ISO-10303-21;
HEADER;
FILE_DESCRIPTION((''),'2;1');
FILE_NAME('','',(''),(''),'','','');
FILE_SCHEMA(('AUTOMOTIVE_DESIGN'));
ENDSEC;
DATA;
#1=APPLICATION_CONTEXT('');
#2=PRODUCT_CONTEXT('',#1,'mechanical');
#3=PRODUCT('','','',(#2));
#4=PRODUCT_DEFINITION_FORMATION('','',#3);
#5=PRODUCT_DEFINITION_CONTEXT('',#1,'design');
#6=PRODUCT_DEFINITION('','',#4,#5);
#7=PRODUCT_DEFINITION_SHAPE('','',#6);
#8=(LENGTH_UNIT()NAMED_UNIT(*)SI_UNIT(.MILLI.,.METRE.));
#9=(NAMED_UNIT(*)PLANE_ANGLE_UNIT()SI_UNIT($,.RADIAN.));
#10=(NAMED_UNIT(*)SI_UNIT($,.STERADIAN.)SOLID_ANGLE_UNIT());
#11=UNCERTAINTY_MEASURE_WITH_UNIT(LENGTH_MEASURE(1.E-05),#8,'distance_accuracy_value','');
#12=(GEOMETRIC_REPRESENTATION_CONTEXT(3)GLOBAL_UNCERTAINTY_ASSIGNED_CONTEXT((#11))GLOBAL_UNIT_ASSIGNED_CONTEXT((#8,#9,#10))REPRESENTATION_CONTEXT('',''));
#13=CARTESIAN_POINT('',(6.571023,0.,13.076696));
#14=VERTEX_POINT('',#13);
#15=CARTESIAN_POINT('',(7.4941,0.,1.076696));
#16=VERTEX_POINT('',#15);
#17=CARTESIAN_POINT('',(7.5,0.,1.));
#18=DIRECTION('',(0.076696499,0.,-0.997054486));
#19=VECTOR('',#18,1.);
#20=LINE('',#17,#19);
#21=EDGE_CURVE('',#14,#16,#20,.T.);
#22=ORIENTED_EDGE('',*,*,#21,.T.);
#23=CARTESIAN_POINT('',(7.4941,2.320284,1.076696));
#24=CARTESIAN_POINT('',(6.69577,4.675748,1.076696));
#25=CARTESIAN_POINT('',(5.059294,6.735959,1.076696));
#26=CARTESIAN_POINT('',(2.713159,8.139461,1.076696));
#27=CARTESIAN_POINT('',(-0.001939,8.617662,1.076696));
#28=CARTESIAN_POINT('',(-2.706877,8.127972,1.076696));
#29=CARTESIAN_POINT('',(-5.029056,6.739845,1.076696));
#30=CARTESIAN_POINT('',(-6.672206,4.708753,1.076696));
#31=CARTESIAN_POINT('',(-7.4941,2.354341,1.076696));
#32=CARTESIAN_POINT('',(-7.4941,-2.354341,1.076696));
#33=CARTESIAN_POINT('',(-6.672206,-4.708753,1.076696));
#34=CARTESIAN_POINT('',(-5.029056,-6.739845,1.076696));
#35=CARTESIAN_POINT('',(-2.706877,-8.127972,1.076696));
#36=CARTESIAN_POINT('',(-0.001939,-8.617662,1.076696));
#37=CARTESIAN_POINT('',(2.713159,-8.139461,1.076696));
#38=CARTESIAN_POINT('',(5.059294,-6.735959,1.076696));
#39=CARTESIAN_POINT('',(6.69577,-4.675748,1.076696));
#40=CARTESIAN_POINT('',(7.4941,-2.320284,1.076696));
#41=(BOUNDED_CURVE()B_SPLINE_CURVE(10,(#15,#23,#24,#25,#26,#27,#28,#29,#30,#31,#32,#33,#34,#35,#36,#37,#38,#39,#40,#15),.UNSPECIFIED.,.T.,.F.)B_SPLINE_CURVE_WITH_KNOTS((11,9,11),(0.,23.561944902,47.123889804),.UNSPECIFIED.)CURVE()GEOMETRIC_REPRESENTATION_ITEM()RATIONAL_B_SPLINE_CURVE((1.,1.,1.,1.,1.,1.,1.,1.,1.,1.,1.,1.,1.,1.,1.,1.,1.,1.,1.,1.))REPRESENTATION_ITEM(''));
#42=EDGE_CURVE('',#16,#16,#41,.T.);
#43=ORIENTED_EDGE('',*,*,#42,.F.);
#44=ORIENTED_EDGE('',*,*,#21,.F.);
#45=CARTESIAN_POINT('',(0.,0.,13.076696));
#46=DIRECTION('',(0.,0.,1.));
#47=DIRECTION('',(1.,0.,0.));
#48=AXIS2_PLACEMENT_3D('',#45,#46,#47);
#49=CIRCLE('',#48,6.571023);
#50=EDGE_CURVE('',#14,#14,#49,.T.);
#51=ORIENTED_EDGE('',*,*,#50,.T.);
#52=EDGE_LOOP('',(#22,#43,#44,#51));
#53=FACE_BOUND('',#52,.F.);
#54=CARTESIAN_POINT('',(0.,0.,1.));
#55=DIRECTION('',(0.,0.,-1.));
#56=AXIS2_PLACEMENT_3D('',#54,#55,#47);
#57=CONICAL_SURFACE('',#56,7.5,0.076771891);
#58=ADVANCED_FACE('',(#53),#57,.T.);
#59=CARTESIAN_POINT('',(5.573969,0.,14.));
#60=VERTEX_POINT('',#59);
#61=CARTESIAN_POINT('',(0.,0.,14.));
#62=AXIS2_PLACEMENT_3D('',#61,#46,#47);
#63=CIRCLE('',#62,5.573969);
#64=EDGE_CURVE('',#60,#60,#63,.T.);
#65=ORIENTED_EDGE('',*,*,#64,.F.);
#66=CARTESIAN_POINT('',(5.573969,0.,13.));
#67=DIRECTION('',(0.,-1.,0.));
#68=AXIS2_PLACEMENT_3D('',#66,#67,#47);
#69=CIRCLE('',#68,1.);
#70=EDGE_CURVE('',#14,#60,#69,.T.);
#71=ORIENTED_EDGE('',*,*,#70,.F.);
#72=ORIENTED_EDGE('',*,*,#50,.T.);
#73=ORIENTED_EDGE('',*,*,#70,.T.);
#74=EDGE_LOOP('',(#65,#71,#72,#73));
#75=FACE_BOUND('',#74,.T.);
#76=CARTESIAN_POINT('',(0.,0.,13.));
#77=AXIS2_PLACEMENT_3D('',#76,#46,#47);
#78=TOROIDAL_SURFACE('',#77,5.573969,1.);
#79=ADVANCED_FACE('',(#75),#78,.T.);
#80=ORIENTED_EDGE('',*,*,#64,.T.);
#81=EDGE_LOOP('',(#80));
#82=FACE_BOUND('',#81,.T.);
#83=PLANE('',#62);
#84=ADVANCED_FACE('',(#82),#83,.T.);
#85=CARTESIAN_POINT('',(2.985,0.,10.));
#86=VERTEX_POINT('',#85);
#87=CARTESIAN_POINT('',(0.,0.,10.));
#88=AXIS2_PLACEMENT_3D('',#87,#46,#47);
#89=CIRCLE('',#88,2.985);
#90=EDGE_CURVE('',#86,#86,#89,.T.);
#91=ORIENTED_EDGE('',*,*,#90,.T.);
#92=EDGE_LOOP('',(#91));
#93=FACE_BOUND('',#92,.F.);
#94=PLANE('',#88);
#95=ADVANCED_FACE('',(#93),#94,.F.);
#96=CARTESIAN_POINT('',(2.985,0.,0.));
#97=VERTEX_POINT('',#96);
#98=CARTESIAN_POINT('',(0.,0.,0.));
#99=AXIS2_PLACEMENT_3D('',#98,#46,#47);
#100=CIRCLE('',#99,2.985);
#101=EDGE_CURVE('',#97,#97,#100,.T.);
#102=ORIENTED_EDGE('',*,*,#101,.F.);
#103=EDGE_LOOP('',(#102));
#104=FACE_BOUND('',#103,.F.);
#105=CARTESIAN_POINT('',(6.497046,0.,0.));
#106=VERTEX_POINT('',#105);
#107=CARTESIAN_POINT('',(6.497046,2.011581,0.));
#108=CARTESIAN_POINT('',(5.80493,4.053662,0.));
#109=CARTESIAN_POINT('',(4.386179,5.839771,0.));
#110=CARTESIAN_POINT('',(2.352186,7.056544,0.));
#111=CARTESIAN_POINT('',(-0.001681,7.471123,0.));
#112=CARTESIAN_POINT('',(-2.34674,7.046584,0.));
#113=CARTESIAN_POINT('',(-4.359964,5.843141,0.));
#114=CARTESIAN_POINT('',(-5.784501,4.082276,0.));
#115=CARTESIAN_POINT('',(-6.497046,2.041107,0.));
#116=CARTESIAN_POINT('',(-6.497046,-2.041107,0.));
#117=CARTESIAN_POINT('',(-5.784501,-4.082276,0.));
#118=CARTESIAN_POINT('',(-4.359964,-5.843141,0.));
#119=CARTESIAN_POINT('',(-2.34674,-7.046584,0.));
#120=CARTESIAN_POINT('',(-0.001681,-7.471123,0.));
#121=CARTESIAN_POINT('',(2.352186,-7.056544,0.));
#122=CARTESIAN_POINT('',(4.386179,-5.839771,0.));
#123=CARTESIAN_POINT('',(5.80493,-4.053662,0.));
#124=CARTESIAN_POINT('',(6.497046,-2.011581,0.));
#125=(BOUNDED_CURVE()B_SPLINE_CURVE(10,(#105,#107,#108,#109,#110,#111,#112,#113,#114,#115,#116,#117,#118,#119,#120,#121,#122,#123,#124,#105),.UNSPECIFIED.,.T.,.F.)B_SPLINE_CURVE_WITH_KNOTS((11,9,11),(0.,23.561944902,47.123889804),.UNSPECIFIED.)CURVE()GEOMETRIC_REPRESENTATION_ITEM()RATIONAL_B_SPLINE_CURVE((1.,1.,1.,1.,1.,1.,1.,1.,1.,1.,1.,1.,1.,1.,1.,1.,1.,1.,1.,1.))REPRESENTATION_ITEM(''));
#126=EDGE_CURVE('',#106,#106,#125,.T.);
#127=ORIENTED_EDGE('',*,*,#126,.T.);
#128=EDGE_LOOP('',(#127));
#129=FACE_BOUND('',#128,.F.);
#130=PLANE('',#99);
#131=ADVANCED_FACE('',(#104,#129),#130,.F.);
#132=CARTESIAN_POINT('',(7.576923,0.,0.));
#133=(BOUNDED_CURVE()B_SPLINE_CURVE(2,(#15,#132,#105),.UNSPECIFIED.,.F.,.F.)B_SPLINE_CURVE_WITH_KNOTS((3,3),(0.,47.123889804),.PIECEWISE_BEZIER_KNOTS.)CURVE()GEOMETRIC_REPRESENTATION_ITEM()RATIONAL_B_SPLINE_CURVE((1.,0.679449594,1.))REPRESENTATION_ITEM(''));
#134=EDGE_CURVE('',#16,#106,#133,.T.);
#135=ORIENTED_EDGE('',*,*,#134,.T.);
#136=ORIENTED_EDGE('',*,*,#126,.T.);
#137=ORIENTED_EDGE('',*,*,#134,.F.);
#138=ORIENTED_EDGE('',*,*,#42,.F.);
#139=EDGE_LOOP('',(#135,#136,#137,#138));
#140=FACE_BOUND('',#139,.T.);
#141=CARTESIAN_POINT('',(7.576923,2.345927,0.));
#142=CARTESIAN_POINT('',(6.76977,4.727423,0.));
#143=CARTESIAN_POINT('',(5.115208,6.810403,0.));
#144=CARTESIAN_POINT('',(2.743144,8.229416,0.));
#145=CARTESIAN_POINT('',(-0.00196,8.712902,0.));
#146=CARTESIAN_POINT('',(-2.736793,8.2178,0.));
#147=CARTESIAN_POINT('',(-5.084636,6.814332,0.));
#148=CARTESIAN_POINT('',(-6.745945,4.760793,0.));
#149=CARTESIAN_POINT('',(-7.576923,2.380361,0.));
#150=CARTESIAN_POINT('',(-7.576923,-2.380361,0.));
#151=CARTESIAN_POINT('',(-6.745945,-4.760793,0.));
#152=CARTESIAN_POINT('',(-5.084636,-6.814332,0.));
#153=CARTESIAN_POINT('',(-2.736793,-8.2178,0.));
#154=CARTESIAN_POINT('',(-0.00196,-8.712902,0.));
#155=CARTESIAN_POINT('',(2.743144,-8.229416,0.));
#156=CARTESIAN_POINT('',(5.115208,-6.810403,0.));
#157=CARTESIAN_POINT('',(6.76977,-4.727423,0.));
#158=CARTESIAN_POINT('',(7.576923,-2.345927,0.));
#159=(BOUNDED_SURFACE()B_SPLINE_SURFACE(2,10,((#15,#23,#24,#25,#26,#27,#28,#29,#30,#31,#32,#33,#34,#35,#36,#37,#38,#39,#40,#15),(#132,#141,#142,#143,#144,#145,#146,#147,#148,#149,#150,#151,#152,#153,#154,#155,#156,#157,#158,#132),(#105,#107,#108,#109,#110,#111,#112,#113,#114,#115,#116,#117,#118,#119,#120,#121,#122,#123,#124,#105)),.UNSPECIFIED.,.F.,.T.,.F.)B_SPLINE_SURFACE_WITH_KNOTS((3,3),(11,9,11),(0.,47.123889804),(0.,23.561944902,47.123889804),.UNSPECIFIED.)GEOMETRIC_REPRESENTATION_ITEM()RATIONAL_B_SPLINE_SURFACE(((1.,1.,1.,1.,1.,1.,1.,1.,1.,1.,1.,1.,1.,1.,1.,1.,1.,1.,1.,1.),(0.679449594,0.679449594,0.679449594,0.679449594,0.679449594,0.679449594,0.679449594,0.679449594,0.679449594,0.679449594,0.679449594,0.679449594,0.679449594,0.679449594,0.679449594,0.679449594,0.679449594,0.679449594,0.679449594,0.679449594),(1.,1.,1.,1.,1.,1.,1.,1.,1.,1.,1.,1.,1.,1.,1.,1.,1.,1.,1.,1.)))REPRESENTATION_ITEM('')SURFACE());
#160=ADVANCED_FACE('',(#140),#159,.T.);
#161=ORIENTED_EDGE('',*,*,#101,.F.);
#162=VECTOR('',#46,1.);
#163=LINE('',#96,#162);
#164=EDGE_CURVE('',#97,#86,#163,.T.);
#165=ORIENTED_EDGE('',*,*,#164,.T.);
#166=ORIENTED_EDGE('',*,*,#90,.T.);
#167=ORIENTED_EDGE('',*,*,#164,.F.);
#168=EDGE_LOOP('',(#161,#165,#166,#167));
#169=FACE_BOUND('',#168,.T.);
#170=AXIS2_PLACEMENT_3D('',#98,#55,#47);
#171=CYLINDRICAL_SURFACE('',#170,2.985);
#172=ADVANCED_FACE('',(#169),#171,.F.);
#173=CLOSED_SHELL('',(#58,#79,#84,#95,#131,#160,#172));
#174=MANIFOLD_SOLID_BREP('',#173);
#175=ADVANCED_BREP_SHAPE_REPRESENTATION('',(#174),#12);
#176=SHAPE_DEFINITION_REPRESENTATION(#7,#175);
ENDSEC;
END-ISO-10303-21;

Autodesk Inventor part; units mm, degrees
ref_plane "YZ Plane" through (0, 0, 0) normal (1, 0, 0) x (0, 1, 0)
ref_plane "XZ Plane" through (0, 0, 0) normal (0, 1, 0) x (-1, 0, 0)
ref_plane "XY Plane" through (0, 0, 0) normal (0, 0, 1) x (1, 0, 0)
sketch "Sketch1" plane through (0, 0, 0) normal (0, 0, 1) x (1, 0, 0)
  circle A0 centre (0, 0) radius 7.5
  circle A1 centre (0, 0) radius 2.985
  dimension "d0" = 15
  dimension "d1" = 5.97
extrude "Extrusion1" add sketch "Sketch1" along normal blind 14 contours A0 | A1
extrude "Extrusion2" cut sketch "Sketch1" along normal blind 10 contours A1
chamfer "Chamfer1" distance 1 distance2 13 1 edges at (-7.5, 0, 14) measured on face at (1.2064, -0.2974, 14)
fillet "Fillet1" radius 1 2 edges at (-6.5, 0, 14) (-7.5, 0, 0)
properties part number "Encoder Knobe"
